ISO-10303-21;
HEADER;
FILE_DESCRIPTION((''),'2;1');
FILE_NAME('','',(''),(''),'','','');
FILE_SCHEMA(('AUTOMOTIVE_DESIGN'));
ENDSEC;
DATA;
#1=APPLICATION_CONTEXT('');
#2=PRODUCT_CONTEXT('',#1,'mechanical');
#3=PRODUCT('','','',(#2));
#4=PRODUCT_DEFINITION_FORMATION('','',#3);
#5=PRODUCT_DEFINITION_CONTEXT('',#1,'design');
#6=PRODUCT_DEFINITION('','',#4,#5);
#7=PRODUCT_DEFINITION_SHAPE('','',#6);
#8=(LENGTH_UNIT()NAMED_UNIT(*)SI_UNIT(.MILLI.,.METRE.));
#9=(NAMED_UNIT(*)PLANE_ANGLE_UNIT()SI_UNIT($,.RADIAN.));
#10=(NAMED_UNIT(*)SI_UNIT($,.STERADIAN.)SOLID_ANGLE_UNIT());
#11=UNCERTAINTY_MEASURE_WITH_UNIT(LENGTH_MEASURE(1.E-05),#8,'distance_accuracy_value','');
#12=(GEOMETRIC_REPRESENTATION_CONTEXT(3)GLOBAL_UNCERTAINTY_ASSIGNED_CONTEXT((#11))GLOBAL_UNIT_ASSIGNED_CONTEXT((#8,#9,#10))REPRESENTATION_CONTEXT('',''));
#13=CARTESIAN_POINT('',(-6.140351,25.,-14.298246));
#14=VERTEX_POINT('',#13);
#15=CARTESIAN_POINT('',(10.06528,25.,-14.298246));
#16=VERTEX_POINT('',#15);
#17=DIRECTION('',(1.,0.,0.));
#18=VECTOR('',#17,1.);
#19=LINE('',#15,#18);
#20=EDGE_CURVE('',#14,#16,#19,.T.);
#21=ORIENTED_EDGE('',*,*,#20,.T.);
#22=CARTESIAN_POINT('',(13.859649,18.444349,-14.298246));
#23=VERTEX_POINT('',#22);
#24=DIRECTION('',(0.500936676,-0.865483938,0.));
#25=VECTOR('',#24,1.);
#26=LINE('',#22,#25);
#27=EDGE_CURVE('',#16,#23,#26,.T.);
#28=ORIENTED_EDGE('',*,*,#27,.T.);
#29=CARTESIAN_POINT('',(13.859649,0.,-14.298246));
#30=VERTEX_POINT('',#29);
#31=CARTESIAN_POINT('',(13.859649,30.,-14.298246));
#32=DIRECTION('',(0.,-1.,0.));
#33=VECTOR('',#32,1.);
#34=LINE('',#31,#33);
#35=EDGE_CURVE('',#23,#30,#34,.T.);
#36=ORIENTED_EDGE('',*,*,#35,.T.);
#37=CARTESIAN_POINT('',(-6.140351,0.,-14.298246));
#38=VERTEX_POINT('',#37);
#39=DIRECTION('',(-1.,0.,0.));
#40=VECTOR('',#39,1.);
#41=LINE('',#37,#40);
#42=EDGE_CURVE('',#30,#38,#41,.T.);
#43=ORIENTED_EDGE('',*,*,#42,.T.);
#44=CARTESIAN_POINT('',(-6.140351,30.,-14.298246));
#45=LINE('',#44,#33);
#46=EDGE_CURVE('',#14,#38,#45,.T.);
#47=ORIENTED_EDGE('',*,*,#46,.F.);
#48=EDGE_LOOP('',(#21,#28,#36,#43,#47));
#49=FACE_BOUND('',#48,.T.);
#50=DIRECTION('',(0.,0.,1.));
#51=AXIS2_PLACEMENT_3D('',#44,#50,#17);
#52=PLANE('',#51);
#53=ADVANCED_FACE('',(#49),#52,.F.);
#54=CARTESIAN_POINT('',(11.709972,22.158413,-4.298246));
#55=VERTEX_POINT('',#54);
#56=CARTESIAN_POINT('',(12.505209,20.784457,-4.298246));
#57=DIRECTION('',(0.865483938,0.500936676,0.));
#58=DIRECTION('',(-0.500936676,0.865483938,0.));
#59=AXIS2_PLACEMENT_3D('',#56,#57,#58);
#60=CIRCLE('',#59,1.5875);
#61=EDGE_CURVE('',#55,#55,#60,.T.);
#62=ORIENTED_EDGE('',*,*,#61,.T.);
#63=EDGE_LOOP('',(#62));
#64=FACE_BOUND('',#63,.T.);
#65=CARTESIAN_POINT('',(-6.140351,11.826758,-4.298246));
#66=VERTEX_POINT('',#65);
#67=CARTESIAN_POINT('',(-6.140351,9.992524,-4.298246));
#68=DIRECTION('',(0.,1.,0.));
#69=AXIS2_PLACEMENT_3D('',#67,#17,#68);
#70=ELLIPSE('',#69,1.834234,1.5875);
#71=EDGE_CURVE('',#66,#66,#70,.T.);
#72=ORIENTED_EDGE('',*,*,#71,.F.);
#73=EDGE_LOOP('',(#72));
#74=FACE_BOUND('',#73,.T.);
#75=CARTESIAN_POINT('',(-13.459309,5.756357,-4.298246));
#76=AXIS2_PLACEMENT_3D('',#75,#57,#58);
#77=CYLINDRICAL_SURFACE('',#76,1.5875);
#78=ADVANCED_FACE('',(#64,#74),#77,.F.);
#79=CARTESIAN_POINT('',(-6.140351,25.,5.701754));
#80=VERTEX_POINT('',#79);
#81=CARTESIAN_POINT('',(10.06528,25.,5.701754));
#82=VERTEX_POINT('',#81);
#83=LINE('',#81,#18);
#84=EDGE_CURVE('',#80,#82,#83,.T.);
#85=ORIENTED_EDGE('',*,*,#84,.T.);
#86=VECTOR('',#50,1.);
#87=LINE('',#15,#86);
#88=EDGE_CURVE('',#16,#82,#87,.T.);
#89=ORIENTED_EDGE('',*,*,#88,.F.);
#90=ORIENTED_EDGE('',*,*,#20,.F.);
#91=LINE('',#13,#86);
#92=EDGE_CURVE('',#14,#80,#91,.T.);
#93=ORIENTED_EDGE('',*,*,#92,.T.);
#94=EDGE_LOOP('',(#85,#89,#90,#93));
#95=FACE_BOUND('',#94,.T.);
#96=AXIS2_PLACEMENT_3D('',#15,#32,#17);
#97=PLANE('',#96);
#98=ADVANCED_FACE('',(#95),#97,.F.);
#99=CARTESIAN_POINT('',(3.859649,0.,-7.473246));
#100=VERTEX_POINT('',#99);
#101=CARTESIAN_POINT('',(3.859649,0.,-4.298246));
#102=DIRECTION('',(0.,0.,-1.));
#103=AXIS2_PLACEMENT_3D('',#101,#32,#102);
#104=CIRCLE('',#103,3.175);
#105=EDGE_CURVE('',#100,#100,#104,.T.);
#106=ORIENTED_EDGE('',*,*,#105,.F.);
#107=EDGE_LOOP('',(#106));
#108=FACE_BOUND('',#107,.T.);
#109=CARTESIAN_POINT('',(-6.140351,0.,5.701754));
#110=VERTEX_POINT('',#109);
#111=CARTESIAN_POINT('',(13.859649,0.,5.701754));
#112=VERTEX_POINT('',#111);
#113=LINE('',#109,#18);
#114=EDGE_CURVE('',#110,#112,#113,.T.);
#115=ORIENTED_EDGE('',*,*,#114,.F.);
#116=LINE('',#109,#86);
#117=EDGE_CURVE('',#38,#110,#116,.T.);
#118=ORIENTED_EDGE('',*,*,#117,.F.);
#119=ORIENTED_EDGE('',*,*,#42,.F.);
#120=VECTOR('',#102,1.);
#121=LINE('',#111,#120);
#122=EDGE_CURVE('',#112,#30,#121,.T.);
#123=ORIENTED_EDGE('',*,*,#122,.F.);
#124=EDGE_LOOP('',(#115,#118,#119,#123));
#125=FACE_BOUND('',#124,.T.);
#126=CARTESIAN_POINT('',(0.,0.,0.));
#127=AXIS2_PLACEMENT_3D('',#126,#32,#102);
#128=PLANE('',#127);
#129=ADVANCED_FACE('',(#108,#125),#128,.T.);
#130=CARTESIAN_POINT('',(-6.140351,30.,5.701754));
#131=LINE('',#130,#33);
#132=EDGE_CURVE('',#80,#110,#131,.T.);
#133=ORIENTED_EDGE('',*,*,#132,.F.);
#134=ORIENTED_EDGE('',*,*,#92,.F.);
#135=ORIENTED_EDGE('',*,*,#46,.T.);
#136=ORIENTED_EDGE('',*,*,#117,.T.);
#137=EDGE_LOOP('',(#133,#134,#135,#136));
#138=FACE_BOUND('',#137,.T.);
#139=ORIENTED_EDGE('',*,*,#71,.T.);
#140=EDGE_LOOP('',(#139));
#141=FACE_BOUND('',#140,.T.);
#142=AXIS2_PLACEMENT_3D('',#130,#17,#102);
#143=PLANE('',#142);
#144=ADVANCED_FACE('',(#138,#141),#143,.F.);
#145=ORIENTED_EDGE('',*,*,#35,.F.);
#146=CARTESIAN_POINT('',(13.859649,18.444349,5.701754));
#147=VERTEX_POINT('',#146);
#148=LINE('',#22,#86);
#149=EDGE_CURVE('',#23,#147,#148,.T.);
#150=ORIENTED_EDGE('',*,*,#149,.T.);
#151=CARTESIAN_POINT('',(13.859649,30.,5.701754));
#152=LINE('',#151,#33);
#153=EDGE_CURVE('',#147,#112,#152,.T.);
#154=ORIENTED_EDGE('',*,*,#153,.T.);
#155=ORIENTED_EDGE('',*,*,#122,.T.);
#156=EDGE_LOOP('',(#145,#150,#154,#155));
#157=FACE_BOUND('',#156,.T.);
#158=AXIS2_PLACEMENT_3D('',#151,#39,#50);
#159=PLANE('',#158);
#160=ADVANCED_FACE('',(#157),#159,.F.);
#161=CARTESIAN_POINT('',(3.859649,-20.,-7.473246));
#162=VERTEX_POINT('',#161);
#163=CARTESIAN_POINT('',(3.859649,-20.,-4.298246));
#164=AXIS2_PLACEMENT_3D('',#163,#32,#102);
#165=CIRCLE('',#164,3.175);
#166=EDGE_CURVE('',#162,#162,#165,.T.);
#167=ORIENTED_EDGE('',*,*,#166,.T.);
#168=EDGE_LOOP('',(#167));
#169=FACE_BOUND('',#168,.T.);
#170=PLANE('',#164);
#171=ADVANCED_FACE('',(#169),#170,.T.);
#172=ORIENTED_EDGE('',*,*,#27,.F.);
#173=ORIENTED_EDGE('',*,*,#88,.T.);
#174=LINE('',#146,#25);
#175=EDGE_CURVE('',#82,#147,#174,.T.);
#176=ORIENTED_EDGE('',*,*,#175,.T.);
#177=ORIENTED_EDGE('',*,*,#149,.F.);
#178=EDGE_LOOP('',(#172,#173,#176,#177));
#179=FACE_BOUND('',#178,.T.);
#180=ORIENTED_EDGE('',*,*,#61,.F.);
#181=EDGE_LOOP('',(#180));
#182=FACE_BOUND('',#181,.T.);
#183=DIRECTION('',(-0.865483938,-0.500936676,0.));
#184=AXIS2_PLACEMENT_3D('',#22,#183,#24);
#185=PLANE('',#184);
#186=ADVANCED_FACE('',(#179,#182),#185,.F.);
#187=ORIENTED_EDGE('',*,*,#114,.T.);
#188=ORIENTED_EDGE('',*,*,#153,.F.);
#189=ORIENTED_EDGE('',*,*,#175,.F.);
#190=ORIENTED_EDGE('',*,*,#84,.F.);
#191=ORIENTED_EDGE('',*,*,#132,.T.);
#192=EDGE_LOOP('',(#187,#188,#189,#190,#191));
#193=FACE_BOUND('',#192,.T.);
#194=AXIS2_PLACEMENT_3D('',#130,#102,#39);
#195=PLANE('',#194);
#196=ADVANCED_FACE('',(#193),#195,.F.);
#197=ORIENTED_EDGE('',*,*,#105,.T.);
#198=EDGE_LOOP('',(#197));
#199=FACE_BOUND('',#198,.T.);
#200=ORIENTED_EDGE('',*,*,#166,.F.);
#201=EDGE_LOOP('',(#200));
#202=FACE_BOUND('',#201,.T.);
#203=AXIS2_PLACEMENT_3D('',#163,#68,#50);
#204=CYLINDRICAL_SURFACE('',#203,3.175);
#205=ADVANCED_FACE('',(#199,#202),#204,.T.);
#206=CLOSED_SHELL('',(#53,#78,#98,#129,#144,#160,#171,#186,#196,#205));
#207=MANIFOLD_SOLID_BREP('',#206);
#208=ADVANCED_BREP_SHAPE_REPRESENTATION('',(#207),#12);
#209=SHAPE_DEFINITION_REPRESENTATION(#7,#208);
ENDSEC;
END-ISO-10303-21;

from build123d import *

# Parameters (mm, degrees)
CROQUIS1_W                 = 20
CROQUIS1_H                 = 20
SALIENTE_EXTRUIR1_DEPTH    = 30
CORTAR_EXTRUIR1_DEPTH      = 37.007356213
CORTAR_EXTRUIR1_DEPTH_BACK = 37.007356213
CROQUIS4_R                 = 1.5875
CORTAR_EXTRUIR2_DEPTH      = 30
CROQUIS7_R                 = 3.175
SALIENTE_EXTRUIR2_DEPTH    = 20
CORTAR_EXTRUIR3_DEPTH      = 39.627579186


with BuildPart() as part:
    # Croquis1 → Saliente-Extruir1 (new body)
    with BuildSketch(Plane(origin=(0, 0, 0), x_dir=(1, 0, 0), z_dir=(0, 1, 0))):
        with Locations((3.859649123, 4.298245614)):
            Rectangle(CROQUIS1_W, CROQUIS1_H)
    extrude(amount=SALIENTE_EXTRUIR1_DEPTH)

    # Croquis2 → Cortar-Extruir1 (cut, two sides: drawn at the far end of the back side and taken through both)
    with BuildSketch(Plane.XY.offset(-CORTAR_EXTRUIR1_DEPTH_BACK)):
        Polygon((13.859649123, 24.692447492), (13.859649123, 18.444349321), (11.150769621, 23.124565022), align=None)
    extrude(amount=CORTAR_EXTRUIR1_DEPTH + CORTAR_EXTRUIR1_DEPTH_BACK, mode=Mode.SUBTRACT)

    # Croquis4 → Cortar-Extruir2 (cut)
    with BuildSketch(Plane(origin=(18.37833915, 10.637267462, 0), x_dir=(0, 0, -1), z_dir=(0.8654839376667617, 0.5009366762783868, 0))):
        with Locations(Location((4.298245614, 11.724295816, 0), (0, 0, 90))):
            Circle(CROQUIS4_R)
    extrude(amount=-CORTAR_EXTRUIR2_DEPTH, mode=Mode.SUBTRACT)

    # Croquis7 → Saliente-Extruir2 (add)
    with BuildSketch(Plane.XZ):
        with Locations(Location((3.859649123, -4.298245614, 0), (0, 0, 270))):
            Circle(CROQUIS7_R)
    extrude(amount=SALIENTE_EXTRUIR2_DEPTH)

    # Croquis9 → Cortar-Extruir3 (cut, through all)
    with BuildSketch(Plane.XY.offset(5.701754386)):
        Polygon((10.065279616, 25), (-6.140350877, 25), (-6.140350877, 30), (13.859649123, 30), (13.859649123, 18.444349321), align=None)
    extrude(amount=-CORTAR_EXTRUIR3_DEPTH, mode=Mode.SUBTRACT)


solid = part.part
